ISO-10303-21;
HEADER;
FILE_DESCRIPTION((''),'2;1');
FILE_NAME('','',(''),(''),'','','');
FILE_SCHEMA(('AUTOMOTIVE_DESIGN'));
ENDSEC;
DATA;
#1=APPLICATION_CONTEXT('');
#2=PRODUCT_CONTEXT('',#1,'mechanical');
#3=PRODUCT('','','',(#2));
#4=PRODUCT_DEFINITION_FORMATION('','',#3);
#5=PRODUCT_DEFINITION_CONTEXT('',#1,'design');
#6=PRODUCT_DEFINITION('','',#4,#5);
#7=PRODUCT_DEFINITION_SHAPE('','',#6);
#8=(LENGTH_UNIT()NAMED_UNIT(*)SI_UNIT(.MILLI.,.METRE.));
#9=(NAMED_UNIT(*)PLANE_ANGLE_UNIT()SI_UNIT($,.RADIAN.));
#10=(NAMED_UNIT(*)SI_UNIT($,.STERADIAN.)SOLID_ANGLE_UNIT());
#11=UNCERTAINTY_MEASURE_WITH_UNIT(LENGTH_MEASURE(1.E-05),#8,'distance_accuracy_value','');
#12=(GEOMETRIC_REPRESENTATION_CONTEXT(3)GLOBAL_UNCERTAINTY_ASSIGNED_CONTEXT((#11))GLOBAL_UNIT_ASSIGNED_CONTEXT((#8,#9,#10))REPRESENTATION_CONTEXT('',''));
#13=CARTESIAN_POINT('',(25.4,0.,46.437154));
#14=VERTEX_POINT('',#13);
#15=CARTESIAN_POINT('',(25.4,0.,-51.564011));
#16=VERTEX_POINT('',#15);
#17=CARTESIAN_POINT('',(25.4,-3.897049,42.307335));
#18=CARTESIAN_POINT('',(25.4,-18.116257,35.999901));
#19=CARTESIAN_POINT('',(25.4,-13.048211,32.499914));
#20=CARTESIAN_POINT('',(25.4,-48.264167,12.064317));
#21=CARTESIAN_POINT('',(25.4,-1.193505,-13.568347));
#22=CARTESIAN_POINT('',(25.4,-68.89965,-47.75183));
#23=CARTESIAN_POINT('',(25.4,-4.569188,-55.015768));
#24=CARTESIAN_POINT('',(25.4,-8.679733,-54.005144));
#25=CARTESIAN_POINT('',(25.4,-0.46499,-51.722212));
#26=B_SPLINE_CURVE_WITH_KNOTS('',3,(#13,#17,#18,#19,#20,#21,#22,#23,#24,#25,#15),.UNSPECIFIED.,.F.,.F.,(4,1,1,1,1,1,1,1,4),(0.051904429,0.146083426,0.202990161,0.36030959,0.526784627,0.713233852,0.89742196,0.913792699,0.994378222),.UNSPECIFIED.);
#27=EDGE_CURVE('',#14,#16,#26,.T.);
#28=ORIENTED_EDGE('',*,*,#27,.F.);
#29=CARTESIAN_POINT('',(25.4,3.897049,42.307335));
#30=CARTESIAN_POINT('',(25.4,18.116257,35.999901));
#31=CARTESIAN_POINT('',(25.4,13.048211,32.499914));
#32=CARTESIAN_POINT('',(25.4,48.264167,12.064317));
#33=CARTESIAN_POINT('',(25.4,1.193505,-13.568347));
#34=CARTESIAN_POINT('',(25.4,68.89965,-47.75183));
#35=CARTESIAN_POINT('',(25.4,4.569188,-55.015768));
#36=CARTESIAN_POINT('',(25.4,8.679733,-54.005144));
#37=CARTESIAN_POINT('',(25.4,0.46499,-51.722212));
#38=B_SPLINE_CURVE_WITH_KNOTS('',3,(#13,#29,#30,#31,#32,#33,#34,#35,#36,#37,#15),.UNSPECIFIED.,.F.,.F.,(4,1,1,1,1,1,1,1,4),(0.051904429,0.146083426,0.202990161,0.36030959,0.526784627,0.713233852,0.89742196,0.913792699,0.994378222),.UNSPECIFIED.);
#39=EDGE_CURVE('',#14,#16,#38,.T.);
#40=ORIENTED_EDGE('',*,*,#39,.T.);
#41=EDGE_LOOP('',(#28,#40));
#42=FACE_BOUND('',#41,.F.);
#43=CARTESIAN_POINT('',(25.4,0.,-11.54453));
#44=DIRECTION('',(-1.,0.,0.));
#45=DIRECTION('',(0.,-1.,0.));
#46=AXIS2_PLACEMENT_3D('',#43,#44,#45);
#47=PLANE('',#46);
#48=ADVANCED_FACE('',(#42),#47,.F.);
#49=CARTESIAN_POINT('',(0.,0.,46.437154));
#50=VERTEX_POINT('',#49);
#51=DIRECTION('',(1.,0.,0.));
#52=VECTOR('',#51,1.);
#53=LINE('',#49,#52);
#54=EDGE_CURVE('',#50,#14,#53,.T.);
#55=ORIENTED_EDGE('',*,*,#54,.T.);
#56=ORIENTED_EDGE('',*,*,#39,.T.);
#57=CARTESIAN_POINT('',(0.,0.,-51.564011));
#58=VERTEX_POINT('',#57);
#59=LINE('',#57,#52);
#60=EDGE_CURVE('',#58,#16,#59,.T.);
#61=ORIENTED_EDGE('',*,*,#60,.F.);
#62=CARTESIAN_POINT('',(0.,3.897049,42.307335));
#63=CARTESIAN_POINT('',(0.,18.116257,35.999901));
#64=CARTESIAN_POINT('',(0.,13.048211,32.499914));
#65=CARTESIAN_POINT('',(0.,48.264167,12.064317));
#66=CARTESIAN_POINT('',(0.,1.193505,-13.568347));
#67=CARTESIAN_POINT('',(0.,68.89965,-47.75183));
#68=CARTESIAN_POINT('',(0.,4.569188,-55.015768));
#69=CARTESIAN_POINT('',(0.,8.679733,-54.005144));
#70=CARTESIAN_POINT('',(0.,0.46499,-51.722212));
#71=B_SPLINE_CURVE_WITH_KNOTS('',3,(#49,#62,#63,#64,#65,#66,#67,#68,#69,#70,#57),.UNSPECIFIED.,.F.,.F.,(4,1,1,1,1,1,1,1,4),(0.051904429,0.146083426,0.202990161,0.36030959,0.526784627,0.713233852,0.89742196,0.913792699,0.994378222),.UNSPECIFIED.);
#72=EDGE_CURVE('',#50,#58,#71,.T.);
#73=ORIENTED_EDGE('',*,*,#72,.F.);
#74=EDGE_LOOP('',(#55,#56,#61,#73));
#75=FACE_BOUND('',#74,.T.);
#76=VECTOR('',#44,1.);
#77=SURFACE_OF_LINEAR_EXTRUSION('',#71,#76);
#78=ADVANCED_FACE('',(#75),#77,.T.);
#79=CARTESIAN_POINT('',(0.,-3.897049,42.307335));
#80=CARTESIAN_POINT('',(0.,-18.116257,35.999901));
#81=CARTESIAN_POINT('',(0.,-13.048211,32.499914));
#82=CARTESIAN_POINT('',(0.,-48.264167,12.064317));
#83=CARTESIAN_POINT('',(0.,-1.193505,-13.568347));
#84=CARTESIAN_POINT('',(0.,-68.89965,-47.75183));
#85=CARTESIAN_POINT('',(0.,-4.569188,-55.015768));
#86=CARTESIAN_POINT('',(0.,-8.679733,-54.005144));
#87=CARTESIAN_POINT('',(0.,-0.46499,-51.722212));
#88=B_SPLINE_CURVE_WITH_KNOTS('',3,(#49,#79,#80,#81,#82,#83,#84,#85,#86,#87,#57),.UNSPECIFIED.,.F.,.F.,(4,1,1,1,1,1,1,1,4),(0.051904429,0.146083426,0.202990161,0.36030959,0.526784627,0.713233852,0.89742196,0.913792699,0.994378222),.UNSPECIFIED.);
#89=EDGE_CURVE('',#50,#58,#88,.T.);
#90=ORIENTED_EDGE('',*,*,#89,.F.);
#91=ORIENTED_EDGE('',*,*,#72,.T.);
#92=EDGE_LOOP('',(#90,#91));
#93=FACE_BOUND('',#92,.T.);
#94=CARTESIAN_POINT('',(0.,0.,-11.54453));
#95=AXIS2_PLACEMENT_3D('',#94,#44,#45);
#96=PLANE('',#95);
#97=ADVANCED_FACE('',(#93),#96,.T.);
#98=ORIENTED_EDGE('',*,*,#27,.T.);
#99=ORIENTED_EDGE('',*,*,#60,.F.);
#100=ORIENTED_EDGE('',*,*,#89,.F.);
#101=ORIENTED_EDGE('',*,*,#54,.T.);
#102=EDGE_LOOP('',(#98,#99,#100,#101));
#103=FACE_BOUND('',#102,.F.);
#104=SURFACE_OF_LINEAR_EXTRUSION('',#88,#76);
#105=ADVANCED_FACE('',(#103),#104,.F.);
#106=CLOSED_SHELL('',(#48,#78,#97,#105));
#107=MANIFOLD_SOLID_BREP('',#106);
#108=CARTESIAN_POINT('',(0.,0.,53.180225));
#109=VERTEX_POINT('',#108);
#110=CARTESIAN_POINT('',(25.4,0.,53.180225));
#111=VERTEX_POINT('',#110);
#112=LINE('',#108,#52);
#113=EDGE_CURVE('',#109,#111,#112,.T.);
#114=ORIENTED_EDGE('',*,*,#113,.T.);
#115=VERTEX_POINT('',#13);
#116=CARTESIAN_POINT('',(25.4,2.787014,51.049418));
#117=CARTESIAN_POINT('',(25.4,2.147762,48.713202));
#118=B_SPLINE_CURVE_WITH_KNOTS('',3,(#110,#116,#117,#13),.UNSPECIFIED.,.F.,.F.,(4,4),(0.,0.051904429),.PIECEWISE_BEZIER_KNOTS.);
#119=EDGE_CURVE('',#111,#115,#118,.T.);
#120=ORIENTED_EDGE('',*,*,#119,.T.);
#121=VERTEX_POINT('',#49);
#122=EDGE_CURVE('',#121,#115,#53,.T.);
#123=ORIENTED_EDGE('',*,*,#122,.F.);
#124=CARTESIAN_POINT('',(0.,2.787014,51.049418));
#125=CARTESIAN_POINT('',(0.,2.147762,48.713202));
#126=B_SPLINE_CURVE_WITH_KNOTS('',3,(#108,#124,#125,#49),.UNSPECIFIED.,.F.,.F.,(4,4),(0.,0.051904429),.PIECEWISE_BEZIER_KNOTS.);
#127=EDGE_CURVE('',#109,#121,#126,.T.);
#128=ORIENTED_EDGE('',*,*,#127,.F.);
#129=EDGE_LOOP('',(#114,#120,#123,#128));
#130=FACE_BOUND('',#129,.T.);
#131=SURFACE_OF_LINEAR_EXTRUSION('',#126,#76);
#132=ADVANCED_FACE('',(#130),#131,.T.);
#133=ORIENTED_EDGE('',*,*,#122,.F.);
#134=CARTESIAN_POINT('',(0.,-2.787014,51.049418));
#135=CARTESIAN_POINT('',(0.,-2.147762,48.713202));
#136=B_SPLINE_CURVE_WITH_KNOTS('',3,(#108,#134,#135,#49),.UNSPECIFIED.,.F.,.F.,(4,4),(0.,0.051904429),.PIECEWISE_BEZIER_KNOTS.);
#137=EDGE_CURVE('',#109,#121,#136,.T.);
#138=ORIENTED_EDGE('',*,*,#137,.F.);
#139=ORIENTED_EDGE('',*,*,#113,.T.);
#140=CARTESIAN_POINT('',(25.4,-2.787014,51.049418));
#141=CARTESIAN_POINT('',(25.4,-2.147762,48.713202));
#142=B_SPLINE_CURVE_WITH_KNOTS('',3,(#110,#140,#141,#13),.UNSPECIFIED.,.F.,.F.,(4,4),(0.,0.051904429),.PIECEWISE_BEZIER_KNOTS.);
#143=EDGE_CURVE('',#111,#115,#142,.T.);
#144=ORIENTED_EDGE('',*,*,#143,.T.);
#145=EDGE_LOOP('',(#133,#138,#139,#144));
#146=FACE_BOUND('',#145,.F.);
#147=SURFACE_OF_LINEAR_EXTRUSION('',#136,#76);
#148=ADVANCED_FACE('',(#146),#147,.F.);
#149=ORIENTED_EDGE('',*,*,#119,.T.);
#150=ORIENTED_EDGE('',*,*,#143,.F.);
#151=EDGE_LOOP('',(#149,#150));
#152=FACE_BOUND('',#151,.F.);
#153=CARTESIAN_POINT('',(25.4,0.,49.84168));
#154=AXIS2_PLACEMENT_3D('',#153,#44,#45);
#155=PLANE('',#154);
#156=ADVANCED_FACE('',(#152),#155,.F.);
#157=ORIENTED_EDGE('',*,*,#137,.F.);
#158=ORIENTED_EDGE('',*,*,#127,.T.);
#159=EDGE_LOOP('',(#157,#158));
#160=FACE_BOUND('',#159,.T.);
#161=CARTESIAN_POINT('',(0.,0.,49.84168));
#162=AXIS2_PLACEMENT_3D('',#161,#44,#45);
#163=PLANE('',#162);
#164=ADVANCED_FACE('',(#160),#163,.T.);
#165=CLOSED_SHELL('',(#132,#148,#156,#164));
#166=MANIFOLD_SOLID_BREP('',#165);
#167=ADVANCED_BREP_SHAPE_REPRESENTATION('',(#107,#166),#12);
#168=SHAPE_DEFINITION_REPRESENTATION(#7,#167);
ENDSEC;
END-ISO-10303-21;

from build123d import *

# Parameters (mm, degrees)
F1_DEPTH = 25.4


with BuildPart() as f1:
    # F0 (on Right) → F1 (new body)
    with BuildSketch(Plane.YZ):
        with BuildLine():
            add(Edge.make_bspline(
                [(0, 53.1802251935), (2.7870144734, 51.0494184634), (2.147762332, 48.7132021599), (0, 46.4371542997)],
                knots=[0, 0, 0, 0, 0.0519044287, 0.0519044287, 0.0519044287, 0.0519044287], degree=3))
            add(Edge.make_bspline(
                [(0, 53.1802251935), (-2.7870144734, 51.0494184634), (-2.147762332, 48.7132021599), (0, 46.4371542997)],
                knots=[0, 0, 0, 0, 0.0519044287, 0.0519044287, 0.0519044287, 0.0519044287], degree=3))
        make_face()
    extrude(amount=F1_DEPTH)


with BuildPart() as f1b:
    # F0 (on Right) → F1, piece 2 (new body)
    with BuildSketch(Plane.YZ):
        with BuildLine():
            add(Edge.make_bspline(
                [(0, 46.4371542997), (3.8970489909, 42.3073351456), (18.116257267, 35.999901244), (13.0482109573, 32.4999144457), (48.2641668655, 12.0643168389), (1.1935045924, -13.5683465052), (68.8996496136, -47.7518296443), (4.5691884698, -55.0157677479), (8.6797327327, -54.0051436978), (0.4649901595, -51.7222119491), (0, -51.5640111946)],
                knots=[0.0519044287, 0.0519044287, 0.0519044287, 0.0519044287, 0.1460834255, 0.2029901606, 0.3603095899, 0.5267846268, 0.7132338517, 0.8974219604, 0.9137926987, 0.9943782221, 0.9943782221, 0.9943782221, 0.9943782221], degree=3))
            add(Edge.make_bspline(
                [(0, 46.4371542997), (-3.8970489909, 42.3073351456), (-18.116257267, 35.999901244), (-13.0482109573, 32.4999144457), (-48.2641668655, 12.0643168389), (-1.1935045924, -13.5683465052), (-68.8996496136, -47.7518296443), (-4.5691884698, -55.0157677479), (-8.6797327327, -54.0051436978), (-0.4649901595, -51.7222119491), (0, -51.5640111946)],
                knots=[0.0519044287, 0.0519044287, 0.0519044287, 0.0519044287, 0.1460834255, 0.2029901606, 0.3603095899, 0.5267846268, 0.7132338517, 0.8974219604, 0.9137926987, 0.9943782221, 0.9943782221, 0.9943782221, 0.9943782221], degree=3))
        make_face()
        with BuildLine():
            add(Edge.make_bspline(
                [(0, -51.5640111946), (0.0324384739, -51.5529748513), (0.0339115852, -51.5504029674), (0, -51.5573397279)],
                knots=[0.9943782221, 0.9943782221, 0.9943782221, 0.9943782221, 1, 1, 1, 1], degree=3))
            add(Edge.make_bspline(
                [(0, -51.5640111946), (-0.0324384739, -51.5529748513), (-0.0339115852, -51.5504029674), (0, -51.5573397279)],
                knots=[0.9943782221, 0.9943782221, 0.9943782221, 0.9943782221, 1, 1, 1, 1], degree=3))
        make_face(mode=Mode.SUBTRACT)
        with BuildLine():
            add(Edge.make_bspline(
                [(0, -51.5640111946), (-0.0324384739, -51.5529748513), (-0.0339115852, -51.5504029674), (0, -51.5573397279)],
                knots=[0.9943782221, 0.9943782221, 0.9943782221, 0.9943782221, 1, 1, 1, 1], degree=3))
            add(Edge.make_bspline(
                [(0, -51.5640111946), (0.0324384739, -51.5529748513), (0.0339115852, -51.5504029674), (0, -51.5573397279)],
                knots=[0.9943782221, 0.9943782221, 0.9943782221, 0.9943782221, 1, 1, 1, 1], degree=3))
        make_face()
    extrude(amount=F1_DEPTH)


solid = Compound([f1.part, f1b.part])
